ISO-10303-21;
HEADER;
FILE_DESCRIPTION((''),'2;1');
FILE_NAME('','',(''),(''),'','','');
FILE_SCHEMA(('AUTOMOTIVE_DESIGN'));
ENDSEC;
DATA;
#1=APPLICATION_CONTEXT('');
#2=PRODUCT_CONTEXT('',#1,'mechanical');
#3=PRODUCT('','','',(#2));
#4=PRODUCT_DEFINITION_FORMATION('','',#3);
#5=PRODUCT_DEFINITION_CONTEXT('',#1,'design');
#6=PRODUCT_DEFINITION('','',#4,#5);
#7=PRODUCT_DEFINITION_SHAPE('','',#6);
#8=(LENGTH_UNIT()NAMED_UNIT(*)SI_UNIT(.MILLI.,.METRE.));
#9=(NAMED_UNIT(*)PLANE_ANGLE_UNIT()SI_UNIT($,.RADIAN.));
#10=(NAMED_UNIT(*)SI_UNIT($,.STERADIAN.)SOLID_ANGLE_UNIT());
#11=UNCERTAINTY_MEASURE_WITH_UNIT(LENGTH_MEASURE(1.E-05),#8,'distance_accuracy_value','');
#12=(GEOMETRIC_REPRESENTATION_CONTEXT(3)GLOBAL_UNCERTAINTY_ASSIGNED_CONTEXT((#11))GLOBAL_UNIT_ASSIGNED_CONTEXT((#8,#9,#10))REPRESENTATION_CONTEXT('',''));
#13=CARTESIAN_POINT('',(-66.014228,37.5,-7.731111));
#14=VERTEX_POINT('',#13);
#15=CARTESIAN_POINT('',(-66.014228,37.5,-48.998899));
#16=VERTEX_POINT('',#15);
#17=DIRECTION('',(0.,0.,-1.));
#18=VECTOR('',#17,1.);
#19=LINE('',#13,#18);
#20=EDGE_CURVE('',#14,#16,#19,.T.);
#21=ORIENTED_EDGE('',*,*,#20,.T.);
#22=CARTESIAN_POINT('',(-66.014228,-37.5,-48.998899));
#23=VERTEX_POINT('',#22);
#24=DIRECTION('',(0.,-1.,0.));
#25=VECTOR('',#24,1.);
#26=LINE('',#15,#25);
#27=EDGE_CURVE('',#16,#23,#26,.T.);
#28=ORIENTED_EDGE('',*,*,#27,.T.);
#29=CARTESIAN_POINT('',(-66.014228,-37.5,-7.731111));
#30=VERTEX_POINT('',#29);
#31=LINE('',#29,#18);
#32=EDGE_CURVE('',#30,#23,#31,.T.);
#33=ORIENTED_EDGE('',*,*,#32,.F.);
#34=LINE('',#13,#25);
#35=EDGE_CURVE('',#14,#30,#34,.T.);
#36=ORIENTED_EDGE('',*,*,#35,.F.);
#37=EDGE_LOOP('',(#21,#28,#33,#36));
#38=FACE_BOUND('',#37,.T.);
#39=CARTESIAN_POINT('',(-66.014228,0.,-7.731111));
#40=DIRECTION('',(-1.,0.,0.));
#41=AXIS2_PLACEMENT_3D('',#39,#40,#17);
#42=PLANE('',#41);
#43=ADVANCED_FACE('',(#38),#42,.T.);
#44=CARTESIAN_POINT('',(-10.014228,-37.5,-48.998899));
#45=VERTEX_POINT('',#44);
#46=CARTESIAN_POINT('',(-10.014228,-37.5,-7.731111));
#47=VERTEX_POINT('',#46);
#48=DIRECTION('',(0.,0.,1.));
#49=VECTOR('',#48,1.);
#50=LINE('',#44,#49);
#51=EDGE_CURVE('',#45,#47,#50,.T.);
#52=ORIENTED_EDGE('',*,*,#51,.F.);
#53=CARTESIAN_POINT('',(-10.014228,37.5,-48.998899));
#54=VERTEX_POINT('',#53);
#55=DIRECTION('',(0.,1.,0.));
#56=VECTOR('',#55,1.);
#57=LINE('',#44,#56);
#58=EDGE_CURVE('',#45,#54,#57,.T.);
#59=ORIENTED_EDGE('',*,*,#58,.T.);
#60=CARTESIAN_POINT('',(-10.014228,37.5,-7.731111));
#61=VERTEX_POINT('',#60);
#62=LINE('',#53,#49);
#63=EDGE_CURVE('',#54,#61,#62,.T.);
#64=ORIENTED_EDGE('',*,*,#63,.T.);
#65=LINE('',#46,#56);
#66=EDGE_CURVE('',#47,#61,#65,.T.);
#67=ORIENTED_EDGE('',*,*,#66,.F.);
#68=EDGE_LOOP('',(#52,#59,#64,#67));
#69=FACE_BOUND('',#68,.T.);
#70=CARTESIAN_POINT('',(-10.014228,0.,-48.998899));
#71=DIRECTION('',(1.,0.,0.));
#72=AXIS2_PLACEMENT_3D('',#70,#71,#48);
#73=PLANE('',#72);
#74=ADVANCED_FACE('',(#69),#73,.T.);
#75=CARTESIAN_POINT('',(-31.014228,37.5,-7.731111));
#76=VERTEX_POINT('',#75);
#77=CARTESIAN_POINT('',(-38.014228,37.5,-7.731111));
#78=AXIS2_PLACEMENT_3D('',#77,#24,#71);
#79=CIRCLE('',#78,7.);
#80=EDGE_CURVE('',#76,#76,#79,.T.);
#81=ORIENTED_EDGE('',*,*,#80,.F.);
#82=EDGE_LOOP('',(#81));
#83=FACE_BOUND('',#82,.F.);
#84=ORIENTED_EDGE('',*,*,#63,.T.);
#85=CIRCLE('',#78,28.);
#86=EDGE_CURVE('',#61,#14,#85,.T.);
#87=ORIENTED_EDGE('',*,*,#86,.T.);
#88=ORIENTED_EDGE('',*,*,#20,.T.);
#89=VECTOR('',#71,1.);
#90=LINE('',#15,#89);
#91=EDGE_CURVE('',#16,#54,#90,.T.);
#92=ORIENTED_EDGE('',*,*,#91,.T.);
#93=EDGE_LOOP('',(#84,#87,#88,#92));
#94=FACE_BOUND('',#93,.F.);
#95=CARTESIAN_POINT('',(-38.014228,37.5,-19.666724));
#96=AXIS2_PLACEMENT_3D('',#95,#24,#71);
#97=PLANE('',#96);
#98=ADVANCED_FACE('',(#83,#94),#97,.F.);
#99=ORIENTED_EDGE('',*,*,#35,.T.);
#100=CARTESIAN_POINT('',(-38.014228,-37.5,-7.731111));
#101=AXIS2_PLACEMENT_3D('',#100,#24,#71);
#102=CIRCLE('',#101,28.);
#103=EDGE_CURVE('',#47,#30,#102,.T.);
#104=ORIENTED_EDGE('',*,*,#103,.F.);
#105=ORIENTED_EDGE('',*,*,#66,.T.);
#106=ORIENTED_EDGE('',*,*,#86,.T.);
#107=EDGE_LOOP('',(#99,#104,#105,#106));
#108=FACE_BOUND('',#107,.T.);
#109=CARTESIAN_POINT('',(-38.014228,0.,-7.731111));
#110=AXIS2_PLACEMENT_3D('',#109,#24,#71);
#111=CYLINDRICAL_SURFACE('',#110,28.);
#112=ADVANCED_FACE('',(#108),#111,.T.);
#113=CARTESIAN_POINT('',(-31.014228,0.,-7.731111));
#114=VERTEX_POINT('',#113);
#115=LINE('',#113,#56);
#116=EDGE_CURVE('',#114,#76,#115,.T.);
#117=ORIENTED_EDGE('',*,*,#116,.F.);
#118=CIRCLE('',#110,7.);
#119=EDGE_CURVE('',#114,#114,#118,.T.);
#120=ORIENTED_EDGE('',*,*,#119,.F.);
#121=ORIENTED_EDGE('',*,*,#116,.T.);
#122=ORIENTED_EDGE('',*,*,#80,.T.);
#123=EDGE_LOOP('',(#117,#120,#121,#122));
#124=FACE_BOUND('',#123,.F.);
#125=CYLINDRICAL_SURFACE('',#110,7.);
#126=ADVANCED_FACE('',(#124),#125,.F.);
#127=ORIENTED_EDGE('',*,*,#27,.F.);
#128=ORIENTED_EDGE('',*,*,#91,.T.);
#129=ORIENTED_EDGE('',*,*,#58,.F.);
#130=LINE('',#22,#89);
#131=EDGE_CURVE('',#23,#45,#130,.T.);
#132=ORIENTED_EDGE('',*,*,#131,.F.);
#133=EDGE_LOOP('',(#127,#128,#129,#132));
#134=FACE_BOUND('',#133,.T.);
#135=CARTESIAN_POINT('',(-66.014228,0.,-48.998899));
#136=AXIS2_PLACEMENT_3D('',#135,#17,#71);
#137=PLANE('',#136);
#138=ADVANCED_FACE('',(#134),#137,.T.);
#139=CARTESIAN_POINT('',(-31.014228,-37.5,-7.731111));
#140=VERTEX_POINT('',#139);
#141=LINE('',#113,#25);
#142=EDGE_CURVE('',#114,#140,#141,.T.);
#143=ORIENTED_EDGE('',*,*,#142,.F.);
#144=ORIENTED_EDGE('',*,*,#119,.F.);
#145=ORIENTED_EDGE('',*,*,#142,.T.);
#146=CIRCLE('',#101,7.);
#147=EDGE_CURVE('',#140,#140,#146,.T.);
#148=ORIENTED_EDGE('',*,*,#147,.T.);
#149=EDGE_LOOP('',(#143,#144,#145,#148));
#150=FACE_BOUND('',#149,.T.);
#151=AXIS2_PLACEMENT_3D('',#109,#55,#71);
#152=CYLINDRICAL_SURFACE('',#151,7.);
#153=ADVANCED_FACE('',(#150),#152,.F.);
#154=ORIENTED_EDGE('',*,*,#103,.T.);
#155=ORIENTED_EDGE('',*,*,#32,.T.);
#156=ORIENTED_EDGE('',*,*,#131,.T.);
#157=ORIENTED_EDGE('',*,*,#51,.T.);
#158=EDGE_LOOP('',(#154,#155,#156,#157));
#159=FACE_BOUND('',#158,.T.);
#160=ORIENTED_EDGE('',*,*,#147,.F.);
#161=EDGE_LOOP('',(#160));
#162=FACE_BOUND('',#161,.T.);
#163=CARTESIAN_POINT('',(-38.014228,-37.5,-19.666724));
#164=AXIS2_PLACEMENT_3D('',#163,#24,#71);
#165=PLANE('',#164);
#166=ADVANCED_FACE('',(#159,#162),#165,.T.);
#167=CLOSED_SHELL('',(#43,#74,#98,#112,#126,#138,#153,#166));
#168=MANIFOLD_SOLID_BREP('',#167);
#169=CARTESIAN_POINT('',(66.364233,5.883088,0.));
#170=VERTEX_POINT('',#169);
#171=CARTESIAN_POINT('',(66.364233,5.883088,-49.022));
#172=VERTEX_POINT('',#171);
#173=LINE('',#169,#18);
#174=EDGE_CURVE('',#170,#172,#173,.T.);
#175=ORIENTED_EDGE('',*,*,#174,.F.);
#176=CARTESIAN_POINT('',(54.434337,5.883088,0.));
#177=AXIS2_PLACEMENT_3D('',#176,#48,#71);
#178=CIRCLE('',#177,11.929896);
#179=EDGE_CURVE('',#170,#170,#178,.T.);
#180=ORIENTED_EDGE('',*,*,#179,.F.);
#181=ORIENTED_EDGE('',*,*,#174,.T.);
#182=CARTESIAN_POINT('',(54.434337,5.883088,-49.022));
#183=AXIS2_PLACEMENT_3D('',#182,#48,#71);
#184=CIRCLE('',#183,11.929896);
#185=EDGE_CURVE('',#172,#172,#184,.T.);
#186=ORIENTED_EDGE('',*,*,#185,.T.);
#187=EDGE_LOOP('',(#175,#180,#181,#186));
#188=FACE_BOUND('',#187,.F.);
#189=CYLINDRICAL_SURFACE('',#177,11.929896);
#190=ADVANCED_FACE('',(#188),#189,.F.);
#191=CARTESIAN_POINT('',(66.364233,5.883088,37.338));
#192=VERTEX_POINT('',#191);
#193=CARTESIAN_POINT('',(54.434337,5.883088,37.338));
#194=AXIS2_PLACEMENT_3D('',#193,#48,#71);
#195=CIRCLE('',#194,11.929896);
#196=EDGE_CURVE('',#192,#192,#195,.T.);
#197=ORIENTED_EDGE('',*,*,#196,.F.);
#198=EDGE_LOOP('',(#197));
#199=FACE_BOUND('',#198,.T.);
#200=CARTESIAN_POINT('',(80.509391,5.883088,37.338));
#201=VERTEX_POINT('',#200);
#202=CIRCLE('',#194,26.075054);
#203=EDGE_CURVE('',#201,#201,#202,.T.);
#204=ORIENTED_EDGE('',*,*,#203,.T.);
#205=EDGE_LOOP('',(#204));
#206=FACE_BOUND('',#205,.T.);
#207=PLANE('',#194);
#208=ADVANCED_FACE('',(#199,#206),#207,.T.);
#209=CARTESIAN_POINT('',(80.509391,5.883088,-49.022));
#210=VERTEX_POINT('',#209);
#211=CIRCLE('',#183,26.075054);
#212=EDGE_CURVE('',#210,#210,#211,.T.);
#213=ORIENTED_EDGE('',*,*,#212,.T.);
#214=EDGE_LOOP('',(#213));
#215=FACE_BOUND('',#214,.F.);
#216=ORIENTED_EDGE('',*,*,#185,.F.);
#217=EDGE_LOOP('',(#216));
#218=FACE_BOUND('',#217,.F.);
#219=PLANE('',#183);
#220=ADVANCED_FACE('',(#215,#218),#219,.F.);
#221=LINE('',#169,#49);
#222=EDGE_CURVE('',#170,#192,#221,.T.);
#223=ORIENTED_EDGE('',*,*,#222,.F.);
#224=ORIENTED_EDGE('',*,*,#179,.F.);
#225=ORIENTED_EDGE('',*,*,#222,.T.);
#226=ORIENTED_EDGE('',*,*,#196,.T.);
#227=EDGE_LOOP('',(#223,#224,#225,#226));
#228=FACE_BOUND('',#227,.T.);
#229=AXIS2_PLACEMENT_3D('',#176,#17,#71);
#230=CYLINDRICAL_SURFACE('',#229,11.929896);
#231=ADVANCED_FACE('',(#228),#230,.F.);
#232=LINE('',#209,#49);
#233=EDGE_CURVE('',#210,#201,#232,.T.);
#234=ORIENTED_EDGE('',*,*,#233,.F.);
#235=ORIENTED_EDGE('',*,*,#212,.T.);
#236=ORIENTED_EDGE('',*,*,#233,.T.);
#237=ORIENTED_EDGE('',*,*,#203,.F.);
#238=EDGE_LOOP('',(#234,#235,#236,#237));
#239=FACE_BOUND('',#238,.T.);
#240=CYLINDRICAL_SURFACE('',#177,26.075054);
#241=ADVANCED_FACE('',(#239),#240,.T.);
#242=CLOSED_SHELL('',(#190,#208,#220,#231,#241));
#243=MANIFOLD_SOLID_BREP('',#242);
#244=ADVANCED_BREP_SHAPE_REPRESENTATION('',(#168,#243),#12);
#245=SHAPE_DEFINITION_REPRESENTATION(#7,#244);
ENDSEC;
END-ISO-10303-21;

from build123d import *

# Parameters (mm, degrees)
F0_R          = 7
F1_DEPTH      = 37.5
F1_DEPTH_BACK = 37.5
F2_R          = 26.075054
F2_R_2        = 11.929896
F3_DEPTH      = 37.338
F3_DEPTH_BACK = 49.022


with BuildPart() as f1:
    # F0 (on Front) → F1 (new body, two sides)
    with BuildSketch(Plane.XZ) as f1_sk:
        with BuildLine():
            ThreePointArc((-10.014228, -7.731111), (-38.014228, 20.268889), (-66.014228, -7.731111))
            Line((-66.014228, -7.731111), (-66.014228, -48.998899))
            Line((-66.014228, -48.998899), (-10.014228, -48.998899))
            Line((-10.014228, -48.998899), (-10.014228, -7.731111))
        make_face()
        with Locations((-38.014228, -7.731111)):
            Circle(F0_R, mode=Mode.SUBTRACT)
    extrude(amount=F1_DEPTH)
    extrude(f1_sk.sketch, amount=-F1_DEPTH_BACK)


with BuildPart() as f3:
    # F2 (on Top) → F3 (new body, two sides)
    with BuildSketch(Plane.XY) as f3_sk:
        with Locations((54.434337, 5.883088)):
            Circle(F2_R)
        with Locations((54.434337, 5.883088)):
            Circle(F2_R_2, mode=Mode.SUBTRACT)
    extrude(amount=F3_DEPTH)
    extrude(f3_sk.sketch, amount=-F3_DEPTH_BACK)


solid = Compound([f1.part, f3.part])
